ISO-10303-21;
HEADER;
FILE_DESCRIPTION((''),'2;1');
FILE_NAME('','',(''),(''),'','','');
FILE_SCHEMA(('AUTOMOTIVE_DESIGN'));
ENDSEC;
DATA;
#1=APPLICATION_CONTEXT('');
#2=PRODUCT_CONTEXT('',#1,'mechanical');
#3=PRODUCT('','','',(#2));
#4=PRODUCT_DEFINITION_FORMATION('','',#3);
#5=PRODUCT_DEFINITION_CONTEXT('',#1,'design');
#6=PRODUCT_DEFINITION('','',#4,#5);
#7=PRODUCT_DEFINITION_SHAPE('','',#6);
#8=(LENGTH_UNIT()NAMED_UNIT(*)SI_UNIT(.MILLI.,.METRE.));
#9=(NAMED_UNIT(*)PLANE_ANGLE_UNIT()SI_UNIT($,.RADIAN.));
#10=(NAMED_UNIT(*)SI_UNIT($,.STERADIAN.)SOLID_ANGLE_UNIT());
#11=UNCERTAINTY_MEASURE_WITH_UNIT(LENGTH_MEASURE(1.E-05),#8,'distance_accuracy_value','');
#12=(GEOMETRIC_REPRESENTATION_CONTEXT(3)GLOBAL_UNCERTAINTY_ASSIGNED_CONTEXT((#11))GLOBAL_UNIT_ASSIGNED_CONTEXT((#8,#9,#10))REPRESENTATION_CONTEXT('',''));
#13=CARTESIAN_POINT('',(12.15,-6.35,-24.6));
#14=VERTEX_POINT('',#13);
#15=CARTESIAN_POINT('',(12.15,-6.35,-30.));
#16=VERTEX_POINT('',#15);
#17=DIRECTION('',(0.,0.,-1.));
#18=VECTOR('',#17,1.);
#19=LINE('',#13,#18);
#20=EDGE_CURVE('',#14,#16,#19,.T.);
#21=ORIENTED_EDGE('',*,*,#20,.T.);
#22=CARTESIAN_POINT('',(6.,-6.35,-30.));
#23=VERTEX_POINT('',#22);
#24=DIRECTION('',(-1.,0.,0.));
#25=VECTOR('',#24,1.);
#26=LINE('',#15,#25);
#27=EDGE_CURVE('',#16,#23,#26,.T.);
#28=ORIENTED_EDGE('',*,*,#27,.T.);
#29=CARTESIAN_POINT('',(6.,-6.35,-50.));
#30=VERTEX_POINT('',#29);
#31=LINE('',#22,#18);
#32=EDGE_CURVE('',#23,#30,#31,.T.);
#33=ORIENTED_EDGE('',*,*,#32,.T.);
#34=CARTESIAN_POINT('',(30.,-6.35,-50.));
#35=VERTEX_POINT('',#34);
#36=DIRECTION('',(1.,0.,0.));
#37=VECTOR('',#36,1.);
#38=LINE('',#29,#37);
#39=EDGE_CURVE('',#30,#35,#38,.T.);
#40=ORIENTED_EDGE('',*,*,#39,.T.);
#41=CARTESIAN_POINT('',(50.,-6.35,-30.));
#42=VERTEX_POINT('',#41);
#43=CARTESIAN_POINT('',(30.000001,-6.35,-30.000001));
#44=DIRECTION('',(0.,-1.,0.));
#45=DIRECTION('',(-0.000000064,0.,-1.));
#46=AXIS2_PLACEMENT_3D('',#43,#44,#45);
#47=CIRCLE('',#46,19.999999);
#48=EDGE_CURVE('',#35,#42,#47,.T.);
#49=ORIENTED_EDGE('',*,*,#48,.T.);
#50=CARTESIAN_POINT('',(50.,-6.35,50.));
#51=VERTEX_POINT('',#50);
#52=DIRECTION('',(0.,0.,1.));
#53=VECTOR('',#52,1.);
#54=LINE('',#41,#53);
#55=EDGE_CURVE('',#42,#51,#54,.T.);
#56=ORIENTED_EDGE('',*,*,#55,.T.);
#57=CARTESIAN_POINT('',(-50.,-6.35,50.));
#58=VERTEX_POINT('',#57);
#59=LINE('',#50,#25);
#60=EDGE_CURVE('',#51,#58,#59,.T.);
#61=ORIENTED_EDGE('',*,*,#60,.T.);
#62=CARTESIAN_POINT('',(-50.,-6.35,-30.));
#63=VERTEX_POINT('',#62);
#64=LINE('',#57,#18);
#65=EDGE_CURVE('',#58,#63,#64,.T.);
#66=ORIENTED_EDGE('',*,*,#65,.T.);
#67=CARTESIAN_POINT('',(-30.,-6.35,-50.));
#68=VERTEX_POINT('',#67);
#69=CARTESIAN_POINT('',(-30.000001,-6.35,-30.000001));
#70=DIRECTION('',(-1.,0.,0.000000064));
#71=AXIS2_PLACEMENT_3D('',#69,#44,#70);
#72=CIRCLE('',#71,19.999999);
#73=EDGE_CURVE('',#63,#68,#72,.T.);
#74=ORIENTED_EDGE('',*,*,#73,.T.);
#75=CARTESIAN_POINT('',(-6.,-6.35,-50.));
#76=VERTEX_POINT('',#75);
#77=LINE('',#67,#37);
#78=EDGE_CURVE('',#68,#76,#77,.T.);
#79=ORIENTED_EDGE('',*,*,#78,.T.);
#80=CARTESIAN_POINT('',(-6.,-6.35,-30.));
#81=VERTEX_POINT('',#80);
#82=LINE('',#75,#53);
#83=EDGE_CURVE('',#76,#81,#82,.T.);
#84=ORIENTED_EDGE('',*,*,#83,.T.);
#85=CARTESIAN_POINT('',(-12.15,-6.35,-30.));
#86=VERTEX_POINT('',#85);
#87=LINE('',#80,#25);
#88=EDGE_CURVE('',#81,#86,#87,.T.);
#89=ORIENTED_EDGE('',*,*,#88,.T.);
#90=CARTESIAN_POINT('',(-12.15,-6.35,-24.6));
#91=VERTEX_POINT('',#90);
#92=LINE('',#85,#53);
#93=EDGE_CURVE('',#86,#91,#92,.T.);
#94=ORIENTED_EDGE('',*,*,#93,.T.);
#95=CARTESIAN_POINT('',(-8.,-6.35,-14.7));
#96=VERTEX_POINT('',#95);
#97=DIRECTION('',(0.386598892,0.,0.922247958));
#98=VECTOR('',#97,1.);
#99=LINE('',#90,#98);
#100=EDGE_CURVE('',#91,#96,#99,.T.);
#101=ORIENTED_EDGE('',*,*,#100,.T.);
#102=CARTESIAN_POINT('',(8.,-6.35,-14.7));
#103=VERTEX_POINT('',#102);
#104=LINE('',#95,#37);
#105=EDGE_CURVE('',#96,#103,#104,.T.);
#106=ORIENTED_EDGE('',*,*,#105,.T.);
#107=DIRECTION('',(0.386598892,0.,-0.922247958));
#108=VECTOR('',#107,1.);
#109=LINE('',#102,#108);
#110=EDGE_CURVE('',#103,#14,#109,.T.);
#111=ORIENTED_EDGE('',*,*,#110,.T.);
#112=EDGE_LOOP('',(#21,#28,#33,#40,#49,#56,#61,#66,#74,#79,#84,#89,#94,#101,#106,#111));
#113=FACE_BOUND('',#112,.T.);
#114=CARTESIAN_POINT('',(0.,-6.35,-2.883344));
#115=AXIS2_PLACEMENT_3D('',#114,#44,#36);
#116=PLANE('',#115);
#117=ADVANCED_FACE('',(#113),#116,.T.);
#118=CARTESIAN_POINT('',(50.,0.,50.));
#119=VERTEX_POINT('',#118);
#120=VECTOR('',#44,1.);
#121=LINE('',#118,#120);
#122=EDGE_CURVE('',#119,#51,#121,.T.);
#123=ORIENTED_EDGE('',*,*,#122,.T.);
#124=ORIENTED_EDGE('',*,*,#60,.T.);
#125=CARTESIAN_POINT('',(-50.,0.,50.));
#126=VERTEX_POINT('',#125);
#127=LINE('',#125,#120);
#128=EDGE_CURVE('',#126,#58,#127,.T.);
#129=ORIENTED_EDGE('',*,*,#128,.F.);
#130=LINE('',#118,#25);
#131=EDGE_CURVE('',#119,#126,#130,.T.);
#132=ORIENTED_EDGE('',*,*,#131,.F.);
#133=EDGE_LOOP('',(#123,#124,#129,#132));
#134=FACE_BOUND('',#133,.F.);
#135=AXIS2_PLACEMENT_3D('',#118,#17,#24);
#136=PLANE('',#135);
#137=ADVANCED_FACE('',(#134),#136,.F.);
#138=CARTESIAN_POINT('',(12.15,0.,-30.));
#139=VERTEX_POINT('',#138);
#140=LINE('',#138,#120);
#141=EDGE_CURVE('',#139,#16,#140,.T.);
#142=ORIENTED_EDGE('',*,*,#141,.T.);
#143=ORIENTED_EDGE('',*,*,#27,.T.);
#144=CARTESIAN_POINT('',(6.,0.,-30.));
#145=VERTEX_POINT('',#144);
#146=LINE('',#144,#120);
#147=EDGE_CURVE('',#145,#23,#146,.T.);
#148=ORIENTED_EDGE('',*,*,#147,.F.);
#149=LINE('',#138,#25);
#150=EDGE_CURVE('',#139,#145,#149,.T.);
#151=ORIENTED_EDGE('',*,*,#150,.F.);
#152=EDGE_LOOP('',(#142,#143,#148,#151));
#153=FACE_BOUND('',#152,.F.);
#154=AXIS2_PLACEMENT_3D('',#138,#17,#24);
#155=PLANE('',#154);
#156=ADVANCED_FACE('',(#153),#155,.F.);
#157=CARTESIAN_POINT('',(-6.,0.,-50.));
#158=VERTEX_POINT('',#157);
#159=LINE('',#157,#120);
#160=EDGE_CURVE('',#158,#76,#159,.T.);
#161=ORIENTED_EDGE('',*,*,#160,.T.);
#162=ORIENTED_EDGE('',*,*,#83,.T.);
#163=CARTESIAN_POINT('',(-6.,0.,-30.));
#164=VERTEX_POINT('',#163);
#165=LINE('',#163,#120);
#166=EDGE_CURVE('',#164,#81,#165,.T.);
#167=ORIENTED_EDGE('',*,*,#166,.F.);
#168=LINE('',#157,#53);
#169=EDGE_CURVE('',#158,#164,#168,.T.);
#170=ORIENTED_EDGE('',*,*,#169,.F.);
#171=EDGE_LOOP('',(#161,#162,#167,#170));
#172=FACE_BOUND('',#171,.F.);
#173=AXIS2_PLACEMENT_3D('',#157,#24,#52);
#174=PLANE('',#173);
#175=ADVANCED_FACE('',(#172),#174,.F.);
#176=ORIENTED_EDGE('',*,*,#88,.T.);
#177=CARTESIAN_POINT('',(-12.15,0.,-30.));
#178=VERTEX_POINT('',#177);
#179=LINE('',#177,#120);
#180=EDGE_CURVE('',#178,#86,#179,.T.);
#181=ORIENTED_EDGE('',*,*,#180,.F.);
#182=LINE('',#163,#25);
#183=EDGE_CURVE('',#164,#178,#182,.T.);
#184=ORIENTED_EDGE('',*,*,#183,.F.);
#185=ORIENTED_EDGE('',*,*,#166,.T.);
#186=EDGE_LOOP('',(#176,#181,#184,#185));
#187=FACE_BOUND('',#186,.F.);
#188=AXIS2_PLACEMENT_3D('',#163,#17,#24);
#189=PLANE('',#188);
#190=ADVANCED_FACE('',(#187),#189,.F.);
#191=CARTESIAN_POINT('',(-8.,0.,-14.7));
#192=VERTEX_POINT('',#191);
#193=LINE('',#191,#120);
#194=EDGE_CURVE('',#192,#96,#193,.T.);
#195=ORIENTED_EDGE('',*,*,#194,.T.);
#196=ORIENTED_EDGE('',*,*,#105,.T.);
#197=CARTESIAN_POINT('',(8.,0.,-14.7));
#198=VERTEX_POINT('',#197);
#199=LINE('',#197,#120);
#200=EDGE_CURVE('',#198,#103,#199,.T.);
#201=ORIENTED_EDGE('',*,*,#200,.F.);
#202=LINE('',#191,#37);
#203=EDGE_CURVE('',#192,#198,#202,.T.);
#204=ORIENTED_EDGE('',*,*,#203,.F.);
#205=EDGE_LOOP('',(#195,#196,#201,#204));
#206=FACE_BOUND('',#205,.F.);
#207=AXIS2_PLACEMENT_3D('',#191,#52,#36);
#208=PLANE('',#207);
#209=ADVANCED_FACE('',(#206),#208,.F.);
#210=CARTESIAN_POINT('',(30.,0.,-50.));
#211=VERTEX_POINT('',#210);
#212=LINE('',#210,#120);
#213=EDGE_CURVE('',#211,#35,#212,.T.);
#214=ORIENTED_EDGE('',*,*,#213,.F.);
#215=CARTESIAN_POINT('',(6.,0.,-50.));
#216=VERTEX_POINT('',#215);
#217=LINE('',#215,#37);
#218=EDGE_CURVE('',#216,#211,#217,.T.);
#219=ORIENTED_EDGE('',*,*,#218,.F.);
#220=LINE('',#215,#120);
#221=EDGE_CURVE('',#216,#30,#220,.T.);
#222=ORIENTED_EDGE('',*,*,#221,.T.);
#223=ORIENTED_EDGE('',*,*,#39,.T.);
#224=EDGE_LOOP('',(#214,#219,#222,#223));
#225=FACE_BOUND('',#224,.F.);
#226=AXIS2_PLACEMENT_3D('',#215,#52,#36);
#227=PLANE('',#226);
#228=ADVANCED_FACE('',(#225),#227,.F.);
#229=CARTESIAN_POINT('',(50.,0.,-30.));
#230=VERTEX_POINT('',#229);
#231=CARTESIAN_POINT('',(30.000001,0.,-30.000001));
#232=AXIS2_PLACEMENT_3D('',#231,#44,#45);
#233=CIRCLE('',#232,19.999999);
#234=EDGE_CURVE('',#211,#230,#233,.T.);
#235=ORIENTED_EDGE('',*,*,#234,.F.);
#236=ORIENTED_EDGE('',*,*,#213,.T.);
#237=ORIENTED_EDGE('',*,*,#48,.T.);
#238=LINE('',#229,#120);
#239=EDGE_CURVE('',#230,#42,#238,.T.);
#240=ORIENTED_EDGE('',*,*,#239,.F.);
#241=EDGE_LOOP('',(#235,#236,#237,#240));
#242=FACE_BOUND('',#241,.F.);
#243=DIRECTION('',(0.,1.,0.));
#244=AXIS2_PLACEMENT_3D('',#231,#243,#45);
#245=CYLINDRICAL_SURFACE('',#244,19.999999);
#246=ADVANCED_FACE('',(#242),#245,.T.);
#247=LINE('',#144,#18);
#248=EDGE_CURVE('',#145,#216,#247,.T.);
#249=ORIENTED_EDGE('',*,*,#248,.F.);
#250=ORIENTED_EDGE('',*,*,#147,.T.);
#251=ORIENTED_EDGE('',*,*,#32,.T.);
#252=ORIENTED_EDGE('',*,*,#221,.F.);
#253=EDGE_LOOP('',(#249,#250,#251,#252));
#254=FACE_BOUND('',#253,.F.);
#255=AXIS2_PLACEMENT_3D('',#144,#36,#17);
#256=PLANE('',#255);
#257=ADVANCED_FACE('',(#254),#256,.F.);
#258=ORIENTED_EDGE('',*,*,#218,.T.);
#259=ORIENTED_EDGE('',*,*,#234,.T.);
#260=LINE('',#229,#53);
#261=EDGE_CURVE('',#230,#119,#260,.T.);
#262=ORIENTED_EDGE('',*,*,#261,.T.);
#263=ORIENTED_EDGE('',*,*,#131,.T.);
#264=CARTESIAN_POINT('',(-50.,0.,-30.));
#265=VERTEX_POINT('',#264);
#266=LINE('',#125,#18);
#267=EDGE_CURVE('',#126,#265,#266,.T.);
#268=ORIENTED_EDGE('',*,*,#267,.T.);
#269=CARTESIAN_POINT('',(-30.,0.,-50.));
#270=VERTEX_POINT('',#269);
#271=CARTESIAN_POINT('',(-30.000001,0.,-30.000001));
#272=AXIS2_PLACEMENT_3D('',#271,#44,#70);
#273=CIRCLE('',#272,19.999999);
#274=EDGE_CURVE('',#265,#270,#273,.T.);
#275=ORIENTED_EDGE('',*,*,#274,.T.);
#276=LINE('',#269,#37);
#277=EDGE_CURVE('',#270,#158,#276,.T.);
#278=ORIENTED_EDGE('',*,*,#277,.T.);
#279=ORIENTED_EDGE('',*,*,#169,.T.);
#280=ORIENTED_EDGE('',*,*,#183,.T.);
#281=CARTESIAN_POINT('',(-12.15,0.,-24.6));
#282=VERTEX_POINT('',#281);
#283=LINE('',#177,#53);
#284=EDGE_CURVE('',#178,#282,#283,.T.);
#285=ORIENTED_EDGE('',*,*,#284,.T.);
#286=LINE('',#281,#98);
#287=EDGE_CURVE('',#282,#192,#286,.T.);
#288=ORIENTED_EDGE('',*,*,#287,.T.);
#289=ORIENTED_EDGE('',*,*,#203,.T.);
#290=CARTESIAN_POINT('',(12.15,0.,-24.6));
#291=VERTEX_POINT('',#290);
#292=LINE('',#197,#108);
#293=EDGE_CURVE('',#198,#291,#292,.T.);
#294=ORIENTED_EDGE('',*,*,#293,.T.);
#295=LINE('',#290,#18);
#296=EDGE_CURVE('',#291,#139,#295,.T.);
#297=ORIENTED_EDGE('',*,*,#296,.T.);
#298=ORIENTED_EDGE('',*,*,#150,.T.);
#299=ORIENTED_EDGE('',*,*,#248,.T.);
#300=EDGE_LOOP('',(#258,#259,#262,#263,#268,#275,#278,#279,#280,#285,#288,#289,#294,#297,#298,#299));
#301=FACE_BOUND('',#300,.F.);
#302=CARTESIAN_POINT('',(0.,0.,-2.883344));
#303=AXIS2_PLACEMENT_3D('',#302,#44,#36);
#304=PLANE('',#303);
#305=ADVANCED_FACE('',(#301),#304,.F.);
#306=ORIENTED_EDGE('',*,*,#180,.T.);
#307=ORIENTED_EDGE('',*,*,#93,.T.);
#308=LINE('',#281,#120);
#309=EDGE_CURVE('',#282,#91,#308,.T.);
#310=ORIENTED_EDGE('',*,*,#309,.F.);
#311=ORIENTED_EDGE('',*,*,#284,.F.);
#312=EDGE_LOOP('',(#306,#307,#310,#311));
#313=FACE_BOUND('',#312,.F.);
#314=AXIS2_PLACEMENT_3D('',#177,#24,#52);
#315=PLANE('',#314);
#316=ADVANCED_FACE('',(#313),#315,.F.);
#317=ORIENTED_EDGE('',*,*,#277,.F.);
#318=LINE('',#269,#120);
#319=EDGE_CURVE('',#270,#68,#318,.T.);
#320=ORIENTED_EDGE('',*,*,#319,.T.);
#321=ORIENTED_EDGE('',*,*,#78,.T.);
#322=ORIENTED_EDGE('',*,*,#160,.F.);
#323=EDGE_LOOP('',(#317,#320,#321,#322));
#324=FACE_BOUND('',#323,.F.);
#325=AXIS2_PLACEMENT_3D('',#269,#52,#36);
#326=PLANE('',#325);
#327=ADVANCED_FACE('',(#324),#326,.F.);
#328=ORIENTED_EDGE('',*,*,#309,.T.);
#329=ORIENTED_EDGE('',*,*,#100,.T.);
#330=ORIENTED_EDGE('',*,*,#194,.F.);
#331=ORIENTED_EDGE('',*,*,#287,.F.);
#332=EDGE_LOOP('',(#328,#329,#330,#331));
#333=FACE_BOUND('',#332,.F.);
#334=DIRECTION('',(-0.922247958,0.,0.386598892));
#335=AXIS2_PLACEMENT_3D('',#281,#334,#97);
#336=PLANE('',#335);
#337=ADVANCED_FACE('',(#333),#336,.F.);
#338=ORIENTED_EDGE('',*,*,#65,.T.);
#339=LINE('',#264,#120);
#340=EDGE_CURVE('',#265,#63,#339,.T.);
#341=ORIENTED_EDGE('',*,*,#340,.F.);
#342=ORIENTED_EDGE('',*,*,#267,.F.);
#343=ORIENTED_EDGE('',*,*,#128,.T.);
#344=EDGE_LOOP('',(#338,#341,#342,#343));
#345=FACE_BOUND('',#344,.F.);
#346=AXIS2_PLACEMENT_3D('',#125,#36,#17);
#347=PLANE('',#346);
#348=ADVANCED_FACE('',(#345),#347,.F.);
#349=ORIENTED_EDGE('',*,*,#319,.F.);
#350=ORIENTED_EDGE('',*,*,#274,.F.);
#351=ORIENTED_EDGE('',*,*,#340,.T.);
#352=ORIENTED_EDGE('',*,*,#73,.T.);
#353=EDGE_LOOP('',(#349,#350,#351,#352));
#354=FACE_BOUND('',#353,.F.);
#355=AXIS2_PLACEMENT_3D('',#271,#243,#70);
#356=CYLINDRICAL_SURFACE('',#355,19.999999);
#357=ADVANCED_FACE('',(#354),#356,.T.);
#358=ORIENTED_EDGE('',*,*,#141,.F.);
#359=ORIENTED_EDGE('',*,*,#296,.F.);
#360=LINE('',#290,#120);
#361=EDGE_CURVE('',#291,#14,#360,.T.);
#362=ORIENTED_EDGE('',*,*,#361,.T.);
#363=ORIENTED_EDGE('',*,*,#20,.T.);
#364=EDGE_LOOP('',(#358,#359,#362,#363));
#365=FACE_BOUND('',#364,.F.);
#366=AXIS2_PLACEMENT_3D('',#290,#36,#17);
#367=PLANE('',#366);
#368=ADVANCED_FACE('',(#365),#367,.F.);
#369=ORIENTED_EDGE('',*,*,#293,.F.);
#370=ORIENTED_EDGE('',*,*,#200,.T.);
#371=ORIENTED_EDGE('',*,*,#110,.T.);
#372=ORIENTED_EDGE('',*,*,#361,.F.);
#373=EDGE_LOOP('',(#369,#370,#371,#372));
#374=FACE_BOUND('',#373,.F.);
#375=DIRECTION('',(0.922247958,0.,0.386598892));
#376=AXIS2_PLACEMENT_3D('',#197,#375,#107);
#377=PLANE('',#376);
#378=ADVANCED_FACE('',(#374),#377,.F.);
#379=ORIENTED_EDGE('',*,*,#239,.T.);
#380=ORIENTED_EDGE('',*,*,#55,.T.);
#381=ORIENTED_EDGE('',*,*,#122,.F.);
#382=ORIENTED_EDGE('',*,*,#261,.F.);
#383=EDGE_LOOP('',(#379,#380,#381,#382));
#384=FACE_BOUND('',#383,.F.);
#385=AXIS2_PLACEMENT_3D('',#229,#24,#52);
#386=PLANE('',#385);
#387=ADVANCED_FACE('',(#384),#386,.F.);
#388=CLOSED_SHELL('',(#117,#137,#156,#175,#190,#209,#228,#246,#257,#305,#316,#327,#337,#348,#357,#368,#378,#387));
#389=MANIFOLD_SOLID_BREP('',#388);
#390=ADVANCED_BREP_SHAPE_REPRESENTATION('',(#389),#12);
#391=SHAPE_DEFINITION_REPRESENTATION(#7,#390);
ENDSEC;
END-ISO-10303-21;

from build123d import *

# Parameters (mm, degrees)
F1_DEPTH = 6.35


with BuildPart() as f1:
    # F0 (on Front) → F1 (new body)
    with BuildSketch(Plane.XZ):
        with BuildLine():
            Line((50, 50), (-50, 50))
            Line((-50, 50), (-50, -30))
            ThreePointArc((-50, -30), (-44.142136, -44.142136), (-30, -50))
            Line((-30, -50), (-6, -50))
            Line((-6, -50), (-6, -30))
            Line((-6, -30), (-12.15, -30))
            Line((-12.15, -30), (-12.15, -24.6))
            Line((-12.15, -24.6), (-8, -14.7))
            Line((-8, -14.7), (8, -14.7))
            Line((8, -14.7), (12.15, -24.6))
            Line((12.15, -24.6), (12.15, -30))
            Line((12.15, -30), (6, -30))
            Line((6, -30), (6, -50))
            Line((6, -50), (30, -50))
            ThreePointArc((30, -50), (44.142136, -44.142136), (50, -30))
            Line((50, -30), (50, 50))
        make_face()
    extrude(amount=F1_DEPTH)


solid = f1.part
